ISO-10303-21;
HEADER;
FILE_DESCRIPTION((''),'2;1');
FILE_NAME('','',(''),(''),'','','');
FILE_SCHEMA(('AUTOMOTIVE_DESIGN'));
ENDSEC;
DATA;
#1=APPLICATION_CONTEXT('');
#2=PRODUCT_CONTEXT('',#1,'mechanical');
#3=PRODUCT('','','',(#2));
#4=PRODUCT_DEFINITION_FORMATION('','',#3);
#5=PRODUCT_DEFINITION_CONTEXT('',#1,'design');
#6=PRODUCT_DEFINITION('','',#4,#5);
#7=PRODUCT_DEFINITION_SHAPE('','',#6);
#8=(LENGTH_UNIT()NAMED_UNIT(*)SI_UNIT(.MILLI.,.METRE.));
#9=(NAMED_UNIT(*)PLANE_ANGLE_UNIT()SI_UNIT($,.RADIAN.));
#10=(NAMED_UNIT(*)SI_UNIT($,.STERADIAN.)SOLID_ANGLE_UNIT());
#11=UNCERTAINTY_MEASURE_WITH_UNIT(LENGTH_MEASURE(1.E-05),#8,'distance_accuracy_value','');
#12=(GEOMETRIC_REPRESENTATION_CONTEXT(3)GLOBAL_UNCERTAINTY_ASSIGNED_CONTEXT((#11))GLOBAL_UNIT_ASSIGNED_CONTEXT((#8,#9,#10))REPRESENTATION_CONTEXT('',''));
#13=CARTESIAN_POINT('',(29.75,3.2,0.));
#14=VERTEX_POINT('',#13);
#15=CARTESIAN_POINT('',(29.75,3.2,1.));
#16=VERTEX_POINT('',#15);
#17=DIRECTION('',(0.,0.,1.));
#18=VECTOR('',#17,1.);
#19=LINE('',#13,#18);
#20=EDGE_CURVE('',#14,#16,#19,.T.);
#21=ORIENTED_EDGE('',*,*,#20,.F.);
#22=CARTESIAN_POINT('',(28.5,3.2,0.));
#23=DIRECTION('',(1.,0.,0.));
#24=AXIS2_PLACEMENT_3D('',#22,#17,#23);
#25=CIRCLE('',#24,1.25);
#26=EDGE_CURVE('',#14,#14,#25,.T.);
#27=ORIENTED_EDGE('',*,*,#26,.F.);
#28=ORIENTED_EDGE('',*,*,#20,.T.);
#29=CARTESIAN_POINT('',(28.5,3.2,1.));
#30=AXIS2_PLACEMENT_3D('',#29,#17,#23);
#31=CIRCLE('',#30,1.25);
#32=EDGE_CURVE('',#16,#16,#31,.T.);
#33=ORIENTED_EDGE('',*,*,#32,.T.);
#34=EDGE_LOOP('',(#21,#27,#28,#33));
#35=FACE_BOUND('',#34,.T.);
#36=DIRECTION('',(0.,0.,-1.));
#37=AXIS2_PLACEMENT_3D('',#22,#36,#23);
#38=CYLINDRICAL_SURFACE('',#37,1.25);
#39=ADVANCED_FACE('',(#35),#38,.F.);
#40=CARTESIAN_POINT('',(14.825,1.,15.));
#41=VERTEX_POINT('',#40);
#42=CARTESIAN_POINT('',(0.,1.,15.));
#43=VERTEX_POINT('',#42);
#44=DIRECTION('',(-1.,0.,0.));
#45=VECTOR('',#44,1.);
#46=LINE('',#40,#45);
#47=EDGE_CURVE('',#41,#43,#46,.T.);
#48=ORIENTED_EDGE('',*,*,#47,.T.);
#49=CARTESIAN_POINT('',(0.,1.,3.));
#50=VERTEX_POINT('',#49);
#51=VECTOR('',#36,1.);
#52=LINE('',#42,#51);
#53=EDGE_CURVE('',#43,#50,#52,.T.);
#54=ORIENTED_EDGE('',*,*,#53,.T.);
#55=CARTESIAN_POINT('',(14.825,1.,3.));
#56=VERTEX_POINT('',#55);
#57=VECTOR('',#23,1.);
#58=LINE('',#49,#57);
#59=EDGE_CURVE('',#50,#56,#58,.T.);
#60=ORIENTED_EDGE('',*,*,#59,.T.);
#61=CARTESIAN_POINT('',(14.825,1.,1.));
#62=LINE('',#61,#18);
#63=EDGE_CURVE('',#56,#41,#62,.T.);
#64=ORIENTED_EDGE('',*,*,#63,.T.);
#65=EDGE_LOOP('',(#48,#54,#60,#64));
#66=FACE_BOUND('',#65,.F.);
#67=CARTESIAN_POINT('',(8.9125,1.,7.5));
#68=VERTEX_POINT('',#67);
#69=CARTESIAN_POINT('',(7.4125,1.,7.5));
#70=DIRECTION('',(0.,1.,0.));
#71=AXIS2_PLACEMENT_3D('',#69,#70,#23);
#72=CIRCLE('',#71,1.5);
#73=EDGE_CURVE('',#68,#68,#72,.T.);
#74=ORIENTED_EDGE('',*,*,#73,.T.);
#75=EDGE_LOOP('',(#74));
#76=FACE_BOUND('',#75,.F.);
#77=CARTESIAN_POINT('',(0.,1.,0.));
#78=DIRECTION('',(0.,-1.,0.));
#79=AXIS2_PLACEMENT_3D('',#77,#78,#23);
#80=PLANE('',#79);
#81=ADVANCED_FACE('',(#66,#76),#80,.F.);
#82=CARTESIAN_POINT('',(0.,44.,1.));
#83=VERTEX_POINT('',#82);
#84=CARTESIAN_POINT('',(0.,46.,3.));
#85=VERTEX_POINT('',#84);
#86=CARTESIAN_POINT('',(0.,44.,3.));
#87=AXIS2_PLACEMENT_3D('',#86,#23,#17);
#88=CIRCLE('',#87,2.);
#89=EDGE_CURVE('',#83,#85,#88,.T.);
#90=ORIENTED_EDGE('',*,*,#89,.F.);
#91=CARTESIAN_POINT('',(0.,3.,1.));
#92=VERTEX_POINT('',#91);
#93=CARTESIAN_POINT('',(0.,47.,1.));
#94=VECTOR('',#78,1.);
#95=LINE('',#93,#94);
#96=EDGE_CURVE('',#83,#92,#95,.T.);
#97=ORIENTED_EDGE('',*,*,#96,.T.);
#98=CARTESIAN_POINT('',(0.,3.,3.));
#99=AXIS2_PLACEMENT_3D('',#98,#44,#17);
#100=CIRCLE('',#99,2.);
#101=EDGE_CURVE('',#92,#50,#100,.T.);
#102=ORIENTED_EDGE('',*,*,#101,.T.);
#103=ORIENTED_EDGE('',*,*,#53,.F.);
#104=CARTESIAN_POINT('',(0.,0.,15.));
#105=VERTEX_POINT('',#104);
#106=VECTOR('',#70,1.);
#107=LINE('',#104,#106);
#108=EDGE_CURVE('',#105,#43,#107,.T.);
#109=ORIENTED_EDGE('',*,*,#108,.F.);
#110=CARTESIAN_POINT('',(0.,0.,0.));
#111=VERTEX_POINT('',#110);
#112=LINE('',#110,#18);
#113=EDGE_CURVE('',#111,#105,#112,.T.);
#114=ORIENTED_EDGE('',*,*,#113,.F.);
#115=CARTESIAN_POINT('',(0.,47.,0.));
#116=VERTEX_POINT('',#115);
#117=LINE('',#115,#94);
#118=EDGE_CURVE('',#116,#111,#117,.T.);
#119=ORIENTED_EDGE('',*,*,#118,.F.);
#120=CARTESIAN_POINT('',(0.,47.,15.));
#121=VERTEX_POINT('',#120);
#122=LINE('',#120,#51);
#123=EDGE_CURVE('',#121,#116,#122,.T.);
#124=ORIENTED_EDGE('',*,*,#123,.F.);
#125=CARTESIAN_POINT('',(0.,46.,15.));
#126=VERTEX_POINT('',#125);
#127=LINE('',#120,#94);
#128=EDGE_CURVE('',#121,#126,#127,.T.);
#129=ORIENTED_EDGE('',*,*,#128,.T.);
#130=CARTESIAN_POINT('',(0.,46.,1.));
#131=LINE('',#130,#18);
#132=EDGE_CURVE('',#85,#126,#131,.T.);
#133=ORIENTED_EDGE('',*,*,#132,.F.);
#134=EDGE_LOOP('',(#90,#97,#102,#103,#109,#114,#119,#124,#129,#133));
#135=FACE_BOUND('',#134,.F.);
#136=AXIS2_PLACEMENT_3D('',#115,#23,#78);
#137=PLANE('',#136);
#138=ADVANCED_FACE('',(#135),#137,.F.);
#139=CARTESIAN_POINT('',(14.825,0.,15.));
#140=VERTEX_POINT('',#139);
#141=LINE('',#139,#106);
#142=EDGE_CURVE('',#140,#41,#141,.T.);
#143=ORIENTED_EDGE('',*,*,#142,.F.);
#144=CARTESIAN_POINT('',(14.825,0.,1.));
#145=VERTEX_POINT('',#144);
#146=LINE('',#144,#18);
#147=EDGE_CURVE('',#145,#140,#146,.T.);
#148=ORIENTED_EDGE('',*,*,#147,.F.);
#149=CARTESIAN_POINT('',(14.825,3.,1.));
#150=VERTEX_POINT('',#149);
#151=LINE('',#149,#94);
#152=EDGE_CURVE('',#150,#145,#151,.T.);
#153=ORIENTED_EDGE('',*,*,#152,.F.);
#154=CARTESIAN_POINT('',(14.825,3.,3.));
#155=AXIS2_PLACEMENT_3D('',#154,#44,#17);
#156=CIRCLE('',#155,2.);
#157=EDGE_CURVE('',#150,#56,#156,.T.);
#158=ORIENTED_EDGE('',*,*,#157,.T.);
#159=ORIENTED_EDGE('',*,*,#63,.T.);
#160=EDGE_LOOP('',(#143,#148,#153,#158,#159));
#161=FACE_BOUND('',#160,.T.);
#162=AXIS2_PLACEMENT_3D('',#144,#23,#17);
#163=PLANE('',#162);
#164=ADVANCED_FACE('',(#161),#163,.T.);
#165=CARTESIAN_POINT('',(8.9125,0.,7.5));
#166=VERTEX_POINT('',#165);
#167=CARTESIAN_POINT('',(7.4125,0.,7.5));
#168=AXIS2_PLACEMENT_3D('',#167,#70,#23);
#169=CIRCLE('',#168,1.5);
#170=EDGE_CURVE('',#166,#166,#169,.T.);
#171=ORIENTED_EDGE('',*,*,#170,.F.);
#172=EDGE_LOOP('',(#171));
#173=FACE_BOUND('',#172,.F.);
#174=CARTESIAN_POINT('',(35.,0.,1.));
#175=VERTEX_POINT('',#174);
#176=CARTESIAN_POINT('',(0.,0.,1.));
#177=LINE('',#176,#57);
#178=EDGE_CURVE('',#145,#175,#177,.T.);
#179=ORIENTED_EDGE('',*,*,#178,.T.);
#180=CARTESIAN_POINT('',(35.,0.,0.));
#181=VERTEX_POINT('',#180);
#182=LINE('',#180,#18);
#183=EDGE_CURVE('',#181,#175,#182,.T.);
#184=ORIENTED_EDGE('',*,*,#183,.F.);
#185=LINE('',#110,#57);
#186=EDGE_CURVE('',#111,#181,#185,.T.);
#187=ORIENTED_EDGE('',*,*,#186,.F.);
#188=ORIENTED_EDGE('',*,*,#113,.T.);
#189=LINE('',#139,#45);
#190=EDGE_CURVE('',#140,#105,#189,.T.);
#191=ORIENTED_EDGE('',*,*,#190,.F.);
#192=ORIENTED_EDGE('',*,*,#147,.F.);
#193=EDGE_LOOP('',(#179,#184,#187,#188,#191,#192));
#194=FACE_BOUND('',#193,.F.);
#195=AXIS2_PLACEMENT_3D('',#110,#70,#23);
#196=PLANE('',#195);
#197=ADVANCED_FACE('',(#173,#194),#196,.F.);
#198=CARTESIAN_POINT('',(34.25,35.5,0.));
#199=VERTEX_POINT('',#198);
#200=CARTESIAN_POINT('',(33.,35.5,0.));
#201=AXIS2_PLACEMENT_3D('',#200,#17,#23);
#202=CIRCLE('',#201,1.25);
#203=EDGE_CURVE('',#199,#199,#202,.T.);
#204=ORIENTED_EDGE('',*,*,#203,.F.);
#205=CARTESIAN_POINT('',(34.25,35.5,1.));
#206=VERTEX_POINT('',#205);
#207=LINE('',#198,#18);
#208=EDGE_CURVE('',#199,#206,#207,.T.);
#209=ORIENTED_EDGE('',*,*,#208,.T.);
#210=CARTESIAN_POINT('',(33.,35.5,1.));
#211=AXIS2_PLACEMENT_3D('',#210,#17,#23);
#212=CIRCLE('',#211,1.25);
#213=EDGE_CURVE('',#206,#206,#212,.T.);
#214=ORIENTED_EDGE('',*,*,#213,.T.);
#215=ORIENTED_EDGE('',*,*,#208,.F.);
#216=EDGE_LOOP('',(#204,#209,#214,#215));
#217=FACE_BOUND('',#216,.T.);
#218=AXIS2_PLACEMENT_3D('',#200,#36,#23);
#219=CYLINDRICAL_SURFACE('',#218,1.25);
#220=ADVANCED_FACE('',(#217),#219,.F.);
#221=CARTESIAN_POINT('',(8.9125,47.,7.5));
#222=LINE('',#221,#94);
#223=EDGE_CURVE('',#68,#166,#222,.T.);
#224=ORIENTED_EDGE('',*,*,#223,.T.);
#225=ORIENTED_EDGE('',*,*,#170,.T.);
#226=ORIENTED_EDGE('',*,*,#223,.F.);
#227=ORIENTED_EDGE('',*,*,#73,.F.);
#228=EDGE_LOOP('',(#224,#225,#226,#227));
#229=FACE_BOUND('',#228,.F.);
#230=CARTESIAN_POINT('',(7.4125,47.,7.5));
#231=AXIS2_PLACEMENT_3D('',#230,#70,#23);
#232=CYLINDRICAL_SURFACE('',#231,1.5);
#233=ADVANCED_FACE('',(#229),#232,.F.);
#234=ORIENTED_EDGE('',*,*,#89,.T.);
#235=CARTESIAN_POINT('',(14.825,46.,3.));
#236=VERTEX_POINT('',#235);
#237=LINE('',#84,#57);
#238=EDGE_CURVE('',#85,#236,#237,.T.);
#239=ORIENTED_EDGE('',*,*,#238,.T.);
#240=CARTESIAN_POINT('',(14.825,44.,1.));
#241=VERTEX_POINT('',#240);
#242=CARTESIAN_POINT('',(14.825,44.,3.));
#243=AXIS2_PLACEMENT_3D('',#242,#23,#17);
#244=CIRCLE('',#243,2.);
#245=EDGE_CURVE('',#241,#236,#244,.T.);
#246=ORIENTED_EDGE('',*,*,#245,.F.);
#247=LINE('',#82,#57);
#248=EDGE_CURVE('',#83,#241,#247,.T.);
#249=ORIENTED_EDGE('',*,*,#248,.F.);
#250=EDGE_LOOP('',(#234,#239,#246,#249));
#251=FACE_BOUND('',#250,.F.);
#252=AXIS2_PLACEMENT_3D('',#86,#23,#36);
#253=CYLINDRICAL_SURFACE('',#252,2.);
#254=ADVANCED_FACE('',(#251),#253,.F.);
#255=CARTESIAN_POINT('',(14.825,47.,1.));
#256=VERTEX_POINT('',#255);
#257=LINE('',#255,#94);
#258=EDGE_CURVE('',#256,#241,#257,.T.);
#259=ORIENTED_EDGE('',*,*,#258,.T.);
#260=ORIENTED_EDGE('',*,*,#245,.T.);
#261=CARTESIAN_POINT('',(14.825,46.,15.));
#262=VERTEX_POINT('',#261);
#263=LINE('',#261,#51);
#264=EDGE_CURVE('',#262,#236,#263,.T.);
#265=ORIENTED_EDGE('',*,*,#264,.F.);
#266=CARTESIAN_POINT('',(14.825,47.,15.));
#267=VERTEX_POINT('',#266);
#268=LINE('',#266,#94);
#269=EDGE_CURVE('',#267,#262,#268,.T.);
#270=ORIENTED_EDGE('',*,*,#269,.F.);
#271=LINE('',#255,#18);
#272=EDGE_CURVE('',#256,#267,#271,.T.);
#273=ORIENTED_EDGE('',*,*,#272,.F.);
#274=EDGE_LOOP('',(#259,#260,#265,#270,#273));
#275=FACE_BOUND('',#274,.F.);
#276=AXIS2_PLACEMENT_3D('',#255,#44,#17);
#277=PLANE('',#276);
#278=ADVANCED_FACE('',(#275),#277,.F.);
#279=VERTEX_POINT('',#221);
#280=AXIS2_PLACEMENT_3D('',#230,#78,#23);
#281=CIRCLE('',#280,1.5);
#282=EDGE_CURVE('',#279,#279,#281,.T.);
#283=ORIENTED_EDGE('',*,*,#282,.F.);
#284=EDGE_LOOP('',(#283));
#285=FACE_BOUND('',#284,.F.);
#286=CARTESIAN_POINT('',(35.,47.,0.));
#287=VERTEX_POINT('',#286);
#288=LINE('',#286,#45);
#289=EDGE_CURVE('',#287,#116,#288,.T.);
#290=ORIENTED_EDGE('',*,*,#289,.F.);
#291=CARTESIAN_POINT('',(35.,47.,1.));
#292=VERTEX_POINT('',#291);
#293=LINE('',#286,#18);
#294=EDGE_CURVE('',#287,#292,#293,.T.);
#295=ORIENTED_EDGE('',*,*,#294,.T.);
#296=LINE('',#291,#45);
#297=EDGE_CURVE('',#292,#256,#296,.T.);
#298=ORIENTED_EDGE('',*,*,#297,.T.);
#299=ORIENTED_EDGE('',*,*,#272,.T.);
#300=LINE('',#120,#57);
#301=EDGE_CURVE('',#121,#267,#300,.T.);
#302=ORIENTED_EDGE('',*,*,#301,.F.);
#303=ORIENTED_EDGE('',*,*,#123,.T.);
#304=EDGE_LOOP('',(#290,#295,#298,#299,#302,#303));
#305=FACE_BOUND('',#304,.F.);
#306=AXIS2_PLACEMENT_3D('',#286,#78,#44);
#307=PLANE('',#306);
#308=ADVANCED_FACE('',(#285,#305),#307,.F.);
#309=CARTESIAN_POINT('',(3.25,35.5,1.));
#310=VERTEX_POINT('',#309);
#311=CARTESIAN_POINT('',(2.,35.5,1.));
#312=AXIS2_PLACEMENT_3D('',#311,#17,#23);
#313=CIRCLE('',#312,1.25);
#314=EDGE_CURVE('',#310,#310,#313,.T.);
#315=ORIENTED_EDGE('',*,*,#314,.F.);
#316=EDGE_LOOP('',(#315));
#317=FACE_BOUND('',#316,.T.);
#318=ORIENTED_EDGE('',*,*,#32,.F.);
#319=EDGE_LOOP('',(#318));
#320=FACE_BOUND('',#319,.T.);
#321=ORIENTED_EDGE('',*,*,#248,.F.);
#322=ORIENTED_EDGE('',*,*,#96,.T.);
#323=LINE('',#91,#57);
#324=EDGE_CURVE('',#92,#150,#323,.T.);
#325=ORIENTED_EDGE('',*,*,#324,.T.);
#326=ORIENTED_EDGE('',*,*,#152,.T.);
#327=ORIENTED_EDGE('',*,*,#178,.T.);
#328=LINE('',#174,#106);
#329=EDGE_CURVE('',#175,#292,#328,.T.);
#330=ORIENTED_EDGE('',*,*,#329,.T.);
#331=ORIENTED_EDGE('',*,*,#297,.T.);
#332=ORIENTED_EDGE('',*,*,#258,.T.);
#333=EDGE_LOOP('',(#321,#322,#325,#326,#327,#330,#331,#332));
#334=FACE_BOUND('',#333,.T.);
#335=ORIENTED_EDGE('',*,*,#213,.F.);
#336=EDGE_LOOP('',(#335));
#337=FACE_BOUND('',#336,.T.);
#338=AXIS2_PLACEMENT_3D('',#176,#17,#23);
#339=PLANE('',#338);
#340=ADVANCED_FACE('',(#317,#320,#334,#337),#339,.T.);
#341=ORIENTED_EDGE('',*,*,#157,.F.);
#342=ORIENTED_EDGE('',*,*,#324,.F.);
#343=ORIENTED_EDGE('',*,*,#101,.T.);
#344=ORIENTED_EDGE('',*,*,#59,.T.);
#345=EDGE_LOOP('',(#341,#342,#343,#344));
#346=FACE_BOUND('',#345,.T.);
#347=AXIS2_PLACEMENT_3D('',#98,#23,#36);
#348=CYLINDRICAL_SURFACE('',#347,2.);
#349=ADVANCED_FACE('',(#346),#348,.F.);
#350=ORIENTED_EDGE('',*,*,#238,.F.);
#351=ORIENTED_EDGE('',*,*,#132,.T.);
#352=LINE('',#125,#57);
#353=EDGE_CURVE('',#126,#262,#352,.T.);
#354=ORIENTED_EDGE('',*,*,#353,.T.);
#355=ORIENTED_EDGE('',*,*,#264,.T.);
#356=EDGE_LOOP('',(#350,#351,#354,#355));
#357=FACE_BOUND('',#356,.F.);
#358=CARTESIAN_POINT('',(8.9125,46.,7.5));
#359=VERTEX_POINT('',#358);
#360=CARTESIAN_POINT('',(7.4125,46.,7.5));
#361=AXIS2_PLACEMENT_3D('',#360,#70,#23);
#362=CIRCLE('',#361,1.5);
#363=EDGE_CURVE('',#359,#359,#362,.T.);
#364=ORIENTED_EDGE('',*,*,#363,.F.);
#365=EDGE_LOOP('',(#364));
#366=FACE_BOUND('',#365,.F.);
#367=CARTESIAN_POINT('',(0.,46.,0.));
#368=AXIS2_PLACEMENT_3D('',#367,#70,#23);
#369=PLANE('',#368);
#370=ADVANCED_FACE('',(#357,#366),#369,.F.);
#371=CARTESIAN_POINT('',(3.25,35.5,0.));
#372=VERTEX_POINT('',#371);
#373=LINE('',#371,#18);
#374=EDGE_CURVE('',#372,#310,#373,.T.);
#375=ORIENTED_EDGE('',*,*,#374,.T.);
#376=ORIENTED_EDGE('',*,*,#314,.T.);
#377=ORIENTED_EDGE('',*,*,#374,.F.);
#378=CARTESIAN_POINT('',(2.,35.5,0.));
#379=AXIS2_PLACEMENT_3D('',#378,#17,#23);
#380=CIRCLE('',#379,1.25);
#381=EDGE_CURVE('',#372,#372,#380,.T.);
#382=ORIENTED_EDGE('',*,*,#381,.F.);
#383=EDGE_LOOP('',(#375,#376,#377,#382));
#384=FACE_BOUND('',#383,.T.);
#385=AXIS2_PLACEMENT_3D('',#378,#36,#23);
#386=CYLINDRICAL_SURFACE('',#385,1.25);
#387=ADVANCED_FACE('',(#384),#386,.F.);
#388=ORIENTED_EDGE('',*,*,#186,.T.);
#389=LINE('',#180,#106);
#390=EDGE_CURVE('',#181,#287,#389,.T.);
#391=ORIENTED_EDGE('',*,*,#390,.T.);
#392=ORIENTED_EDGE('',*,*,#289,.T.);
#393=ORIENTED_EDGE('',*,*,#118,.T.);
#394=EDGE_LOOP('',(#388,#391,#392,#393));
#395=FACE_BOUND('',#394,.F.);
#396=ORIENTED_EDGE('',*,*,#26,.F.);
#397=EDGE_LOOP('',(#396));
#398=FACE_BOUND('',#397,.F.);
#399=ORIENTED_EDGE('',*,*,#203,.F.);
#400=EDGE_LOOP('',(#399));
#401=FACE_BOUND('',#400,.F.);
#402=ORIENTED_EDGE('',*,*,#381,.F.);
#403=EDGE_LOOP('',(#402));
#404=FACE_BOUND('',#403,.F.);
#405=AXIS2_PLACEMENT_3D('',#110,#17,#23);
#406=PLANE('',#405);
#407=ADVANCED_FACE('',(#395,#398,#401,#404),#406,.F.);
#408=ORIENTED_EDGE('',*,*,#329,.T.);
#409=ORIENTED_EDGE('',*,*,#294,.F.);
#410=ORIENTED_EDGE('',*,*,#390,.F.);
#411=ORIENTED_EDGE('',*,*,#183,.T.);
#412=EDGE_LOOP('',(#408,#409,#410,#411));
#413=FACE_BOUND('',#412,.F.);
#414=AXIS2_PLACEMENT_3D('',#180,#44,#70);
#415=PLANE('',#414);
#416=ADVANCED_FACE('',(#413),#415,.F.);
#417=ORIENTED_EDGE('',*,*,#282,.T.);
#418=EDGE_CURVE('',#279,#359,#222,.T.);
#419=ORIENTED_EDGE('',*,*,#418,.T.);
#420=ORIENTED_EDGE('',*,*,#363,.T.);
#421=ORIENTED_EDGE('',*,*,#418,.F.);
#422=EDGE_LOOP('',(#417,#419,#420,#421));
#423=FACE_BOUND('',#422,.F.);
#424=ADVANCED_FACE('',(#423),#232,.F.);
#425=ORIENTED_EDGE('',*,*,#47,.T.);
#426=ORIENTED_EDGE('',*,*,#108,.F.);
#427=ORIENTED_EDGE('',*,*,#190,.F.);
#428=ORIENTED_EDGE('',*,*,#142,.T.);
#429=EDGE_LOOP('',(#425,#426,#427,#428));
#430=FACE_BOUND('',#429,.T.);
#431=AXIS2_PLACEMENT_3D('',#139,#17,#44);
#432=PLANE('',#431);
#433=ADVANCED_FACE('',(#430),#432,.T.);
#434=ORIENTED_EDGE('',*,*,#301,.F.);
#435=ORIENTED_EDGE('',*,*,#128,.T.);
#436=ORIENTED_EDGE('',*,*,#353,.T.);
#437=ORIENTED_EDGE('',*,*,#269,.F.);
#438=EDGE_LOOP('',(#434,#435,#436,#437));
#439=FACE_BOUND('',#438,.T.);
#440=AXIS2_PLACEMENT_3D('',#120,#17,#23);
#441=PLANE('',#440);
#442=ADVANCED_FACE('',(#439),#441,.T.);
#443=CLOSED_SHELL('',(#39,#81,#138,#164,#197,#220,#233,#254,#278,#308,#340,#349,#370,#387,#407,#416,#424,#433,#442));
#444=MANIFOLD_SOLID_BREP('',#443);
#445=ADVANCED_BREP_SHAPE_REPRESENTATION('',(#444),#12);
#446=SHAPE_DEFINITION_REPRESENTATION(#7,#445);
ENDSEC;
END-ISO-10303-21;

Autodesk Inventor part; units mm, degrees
ref_plane "YZ Plane" through (0, 0, 0) normal (1, 0, 0) x (0, 1, 0)
ref_plane "XZ Plane" through (0, 0, 0) normal (0, 1, 0) x (-1, 0, 0)
ref_plane "XY Plane" through (0, 0, 0) normal (0, 0, 1) x (1, 0, 0)
sketch "Sketch12" plane through (0, 0, 0) normal (0, 0, 1) x (1, 0, 0)
  line L0 (0, 0) -> (35, 0)
  line L1 (35, 0) -> (35, 47)
  line L2 (35, 47) -> (0, 47)
  line L3 (0, 47) -> (0, 0)
  line L4 (0, 47) -> (2, 47) construction
  line L5 (2, 47) -> (2, 35.5) construction
  line L6 (35, 47) -> (33, 47) construction
  line L7 (33, 47) -> (33, 35.5) construction
  circle A0 centre (33, 35.5) radius 1.25
  circle A1 centre (2, 35.5) radius 1.25
  line L8 (0, 0) -> (6.5, 0) construction
  line L9 (35, 0) -> (28.5, 0) construction
  line L10 (6.5, 0) -> (6.5, 3.2) construction
  line L11 (28.5, 0) -> (28.5, 3.2) construction
  circle A2 centre (28.5, 3.2) radius 1.25
  dimension "d49" = 35
  dimension "d50" = 47
  dimension "d97" = 2
  dimension "d98" = 11.5
  dimension "d99" = 2
  dimension "d100" = 2.5
  dimension "d101" = 2.5
  dimension "d102" = 11.5
  dimension "d103" = 6.5
  dimension "d104" = 6.5
  dimension "d105" = 3.2
  dimension "d106" = 3.2
  dimension "d108" = 2.5
extrude "Extrusión8" add sketch "Sketch12" along normal blind 1
sketch "Sketch25" plane through (0, 47, 0) normal (0, 1, 0) x (1, 0, 0)
  point P0 (0, 0)
sketch "Sketch26" plane through (0, 0, 0) normal (0, -1, 0) x (1, 0, 0)
  line L0 (35, 1) -> (20.1754, 1)
  line L1 (20.1754, 1) -> (20.1754, 15)
  line L2 (20.1754, 15) -> (35, 15)
  line L3 (35, 15) -> (35, 1)
  line L4 (0, 1) -> (14.825, 1)
  line L5 (35, 1) -> (0, 1) projected
  line L6 (14.825, 1) -> (14.825, 15)
  line L7 (14.825, 15) -> (0, 15)
  line L8 (0, 15) -> (0, 1)
  point P0 (0, 0)
  dimension "d121" = 14.825
  dimension "d126" = 14
extrude "Extrusion10" add sketch "Sketch26" against normal blind 1 contours L4 L8 L7 L6
fillet "Empalme1" radius 2 1 edges at (7.4125, 1, 1)
sketch "Boceto28" plane through (0, 47, 0) normal (0, 1, 0) x (1, 0, 0)
  line L0 (0, 0) -> (0, -1) projected
  line L1 (0, -1) -> (14.825, -1)
  line L2 (0, -3) -> (14.825, -3) projected
  line L3 (14.825, -15) -> (14.825, -3) projected
  line L4 (14.825, -1) -> (14.825, -15)
  line L5 (0, -15) -> (14.825, -15) projected
  line L6 (14.825, -15) -> (0, -15)
  line L7 (0, -15) -> (0, -1)
  point P0 (14.825, -3)
extrude "Extrusión12" add sketch "Boceto28" against normal blind 1
fillet "Empalme2" radius 2 1 edges at (7.4125, 46, 1)
sketch "Boceto29" plane through (0, 47, 0) normal (0, 1, 0) x (1, 0, 0)
  line L0 (0, 0) -> (0, -15) projected
  line L1 (0, -7.5) -> (14.825, -7.5)
  line L2 (14.825, -15) -> (14.825, -3) projected
  line L3 (7.4125, -7.5) -> (7.4125, -15)
  line L4 (0, -15) -> (14.825, -15) projected
  circle A0 centre (7.4125, -7.5) radius 1.5
  dimension "d127" = 3
extrude "Extrusión13" cut sketch "Boceto29" against normal through all contours A0 L1 | L1 L3 A0 | L1 A0 L3
equation "\"BendRadius\" = Thickness"
equation "\"BendReliefWidth\" = Thickness"
equation "\"BendReliefDepth\" = 0.5 * Thickness"
equation "\"CornerReliefSize\" = 4 * Thickness"
equation "\"MinimumRemnant\" = 2 * Thickness"
equation "\"TransitionRadius\" = BendRadius"
equation "\"JacobiRadiusSize\" = BendRadius"
equation "\"GapSize\" = Thickness"
equation "\"Thickness\" = 1"
properties part number "Suportmotor"
